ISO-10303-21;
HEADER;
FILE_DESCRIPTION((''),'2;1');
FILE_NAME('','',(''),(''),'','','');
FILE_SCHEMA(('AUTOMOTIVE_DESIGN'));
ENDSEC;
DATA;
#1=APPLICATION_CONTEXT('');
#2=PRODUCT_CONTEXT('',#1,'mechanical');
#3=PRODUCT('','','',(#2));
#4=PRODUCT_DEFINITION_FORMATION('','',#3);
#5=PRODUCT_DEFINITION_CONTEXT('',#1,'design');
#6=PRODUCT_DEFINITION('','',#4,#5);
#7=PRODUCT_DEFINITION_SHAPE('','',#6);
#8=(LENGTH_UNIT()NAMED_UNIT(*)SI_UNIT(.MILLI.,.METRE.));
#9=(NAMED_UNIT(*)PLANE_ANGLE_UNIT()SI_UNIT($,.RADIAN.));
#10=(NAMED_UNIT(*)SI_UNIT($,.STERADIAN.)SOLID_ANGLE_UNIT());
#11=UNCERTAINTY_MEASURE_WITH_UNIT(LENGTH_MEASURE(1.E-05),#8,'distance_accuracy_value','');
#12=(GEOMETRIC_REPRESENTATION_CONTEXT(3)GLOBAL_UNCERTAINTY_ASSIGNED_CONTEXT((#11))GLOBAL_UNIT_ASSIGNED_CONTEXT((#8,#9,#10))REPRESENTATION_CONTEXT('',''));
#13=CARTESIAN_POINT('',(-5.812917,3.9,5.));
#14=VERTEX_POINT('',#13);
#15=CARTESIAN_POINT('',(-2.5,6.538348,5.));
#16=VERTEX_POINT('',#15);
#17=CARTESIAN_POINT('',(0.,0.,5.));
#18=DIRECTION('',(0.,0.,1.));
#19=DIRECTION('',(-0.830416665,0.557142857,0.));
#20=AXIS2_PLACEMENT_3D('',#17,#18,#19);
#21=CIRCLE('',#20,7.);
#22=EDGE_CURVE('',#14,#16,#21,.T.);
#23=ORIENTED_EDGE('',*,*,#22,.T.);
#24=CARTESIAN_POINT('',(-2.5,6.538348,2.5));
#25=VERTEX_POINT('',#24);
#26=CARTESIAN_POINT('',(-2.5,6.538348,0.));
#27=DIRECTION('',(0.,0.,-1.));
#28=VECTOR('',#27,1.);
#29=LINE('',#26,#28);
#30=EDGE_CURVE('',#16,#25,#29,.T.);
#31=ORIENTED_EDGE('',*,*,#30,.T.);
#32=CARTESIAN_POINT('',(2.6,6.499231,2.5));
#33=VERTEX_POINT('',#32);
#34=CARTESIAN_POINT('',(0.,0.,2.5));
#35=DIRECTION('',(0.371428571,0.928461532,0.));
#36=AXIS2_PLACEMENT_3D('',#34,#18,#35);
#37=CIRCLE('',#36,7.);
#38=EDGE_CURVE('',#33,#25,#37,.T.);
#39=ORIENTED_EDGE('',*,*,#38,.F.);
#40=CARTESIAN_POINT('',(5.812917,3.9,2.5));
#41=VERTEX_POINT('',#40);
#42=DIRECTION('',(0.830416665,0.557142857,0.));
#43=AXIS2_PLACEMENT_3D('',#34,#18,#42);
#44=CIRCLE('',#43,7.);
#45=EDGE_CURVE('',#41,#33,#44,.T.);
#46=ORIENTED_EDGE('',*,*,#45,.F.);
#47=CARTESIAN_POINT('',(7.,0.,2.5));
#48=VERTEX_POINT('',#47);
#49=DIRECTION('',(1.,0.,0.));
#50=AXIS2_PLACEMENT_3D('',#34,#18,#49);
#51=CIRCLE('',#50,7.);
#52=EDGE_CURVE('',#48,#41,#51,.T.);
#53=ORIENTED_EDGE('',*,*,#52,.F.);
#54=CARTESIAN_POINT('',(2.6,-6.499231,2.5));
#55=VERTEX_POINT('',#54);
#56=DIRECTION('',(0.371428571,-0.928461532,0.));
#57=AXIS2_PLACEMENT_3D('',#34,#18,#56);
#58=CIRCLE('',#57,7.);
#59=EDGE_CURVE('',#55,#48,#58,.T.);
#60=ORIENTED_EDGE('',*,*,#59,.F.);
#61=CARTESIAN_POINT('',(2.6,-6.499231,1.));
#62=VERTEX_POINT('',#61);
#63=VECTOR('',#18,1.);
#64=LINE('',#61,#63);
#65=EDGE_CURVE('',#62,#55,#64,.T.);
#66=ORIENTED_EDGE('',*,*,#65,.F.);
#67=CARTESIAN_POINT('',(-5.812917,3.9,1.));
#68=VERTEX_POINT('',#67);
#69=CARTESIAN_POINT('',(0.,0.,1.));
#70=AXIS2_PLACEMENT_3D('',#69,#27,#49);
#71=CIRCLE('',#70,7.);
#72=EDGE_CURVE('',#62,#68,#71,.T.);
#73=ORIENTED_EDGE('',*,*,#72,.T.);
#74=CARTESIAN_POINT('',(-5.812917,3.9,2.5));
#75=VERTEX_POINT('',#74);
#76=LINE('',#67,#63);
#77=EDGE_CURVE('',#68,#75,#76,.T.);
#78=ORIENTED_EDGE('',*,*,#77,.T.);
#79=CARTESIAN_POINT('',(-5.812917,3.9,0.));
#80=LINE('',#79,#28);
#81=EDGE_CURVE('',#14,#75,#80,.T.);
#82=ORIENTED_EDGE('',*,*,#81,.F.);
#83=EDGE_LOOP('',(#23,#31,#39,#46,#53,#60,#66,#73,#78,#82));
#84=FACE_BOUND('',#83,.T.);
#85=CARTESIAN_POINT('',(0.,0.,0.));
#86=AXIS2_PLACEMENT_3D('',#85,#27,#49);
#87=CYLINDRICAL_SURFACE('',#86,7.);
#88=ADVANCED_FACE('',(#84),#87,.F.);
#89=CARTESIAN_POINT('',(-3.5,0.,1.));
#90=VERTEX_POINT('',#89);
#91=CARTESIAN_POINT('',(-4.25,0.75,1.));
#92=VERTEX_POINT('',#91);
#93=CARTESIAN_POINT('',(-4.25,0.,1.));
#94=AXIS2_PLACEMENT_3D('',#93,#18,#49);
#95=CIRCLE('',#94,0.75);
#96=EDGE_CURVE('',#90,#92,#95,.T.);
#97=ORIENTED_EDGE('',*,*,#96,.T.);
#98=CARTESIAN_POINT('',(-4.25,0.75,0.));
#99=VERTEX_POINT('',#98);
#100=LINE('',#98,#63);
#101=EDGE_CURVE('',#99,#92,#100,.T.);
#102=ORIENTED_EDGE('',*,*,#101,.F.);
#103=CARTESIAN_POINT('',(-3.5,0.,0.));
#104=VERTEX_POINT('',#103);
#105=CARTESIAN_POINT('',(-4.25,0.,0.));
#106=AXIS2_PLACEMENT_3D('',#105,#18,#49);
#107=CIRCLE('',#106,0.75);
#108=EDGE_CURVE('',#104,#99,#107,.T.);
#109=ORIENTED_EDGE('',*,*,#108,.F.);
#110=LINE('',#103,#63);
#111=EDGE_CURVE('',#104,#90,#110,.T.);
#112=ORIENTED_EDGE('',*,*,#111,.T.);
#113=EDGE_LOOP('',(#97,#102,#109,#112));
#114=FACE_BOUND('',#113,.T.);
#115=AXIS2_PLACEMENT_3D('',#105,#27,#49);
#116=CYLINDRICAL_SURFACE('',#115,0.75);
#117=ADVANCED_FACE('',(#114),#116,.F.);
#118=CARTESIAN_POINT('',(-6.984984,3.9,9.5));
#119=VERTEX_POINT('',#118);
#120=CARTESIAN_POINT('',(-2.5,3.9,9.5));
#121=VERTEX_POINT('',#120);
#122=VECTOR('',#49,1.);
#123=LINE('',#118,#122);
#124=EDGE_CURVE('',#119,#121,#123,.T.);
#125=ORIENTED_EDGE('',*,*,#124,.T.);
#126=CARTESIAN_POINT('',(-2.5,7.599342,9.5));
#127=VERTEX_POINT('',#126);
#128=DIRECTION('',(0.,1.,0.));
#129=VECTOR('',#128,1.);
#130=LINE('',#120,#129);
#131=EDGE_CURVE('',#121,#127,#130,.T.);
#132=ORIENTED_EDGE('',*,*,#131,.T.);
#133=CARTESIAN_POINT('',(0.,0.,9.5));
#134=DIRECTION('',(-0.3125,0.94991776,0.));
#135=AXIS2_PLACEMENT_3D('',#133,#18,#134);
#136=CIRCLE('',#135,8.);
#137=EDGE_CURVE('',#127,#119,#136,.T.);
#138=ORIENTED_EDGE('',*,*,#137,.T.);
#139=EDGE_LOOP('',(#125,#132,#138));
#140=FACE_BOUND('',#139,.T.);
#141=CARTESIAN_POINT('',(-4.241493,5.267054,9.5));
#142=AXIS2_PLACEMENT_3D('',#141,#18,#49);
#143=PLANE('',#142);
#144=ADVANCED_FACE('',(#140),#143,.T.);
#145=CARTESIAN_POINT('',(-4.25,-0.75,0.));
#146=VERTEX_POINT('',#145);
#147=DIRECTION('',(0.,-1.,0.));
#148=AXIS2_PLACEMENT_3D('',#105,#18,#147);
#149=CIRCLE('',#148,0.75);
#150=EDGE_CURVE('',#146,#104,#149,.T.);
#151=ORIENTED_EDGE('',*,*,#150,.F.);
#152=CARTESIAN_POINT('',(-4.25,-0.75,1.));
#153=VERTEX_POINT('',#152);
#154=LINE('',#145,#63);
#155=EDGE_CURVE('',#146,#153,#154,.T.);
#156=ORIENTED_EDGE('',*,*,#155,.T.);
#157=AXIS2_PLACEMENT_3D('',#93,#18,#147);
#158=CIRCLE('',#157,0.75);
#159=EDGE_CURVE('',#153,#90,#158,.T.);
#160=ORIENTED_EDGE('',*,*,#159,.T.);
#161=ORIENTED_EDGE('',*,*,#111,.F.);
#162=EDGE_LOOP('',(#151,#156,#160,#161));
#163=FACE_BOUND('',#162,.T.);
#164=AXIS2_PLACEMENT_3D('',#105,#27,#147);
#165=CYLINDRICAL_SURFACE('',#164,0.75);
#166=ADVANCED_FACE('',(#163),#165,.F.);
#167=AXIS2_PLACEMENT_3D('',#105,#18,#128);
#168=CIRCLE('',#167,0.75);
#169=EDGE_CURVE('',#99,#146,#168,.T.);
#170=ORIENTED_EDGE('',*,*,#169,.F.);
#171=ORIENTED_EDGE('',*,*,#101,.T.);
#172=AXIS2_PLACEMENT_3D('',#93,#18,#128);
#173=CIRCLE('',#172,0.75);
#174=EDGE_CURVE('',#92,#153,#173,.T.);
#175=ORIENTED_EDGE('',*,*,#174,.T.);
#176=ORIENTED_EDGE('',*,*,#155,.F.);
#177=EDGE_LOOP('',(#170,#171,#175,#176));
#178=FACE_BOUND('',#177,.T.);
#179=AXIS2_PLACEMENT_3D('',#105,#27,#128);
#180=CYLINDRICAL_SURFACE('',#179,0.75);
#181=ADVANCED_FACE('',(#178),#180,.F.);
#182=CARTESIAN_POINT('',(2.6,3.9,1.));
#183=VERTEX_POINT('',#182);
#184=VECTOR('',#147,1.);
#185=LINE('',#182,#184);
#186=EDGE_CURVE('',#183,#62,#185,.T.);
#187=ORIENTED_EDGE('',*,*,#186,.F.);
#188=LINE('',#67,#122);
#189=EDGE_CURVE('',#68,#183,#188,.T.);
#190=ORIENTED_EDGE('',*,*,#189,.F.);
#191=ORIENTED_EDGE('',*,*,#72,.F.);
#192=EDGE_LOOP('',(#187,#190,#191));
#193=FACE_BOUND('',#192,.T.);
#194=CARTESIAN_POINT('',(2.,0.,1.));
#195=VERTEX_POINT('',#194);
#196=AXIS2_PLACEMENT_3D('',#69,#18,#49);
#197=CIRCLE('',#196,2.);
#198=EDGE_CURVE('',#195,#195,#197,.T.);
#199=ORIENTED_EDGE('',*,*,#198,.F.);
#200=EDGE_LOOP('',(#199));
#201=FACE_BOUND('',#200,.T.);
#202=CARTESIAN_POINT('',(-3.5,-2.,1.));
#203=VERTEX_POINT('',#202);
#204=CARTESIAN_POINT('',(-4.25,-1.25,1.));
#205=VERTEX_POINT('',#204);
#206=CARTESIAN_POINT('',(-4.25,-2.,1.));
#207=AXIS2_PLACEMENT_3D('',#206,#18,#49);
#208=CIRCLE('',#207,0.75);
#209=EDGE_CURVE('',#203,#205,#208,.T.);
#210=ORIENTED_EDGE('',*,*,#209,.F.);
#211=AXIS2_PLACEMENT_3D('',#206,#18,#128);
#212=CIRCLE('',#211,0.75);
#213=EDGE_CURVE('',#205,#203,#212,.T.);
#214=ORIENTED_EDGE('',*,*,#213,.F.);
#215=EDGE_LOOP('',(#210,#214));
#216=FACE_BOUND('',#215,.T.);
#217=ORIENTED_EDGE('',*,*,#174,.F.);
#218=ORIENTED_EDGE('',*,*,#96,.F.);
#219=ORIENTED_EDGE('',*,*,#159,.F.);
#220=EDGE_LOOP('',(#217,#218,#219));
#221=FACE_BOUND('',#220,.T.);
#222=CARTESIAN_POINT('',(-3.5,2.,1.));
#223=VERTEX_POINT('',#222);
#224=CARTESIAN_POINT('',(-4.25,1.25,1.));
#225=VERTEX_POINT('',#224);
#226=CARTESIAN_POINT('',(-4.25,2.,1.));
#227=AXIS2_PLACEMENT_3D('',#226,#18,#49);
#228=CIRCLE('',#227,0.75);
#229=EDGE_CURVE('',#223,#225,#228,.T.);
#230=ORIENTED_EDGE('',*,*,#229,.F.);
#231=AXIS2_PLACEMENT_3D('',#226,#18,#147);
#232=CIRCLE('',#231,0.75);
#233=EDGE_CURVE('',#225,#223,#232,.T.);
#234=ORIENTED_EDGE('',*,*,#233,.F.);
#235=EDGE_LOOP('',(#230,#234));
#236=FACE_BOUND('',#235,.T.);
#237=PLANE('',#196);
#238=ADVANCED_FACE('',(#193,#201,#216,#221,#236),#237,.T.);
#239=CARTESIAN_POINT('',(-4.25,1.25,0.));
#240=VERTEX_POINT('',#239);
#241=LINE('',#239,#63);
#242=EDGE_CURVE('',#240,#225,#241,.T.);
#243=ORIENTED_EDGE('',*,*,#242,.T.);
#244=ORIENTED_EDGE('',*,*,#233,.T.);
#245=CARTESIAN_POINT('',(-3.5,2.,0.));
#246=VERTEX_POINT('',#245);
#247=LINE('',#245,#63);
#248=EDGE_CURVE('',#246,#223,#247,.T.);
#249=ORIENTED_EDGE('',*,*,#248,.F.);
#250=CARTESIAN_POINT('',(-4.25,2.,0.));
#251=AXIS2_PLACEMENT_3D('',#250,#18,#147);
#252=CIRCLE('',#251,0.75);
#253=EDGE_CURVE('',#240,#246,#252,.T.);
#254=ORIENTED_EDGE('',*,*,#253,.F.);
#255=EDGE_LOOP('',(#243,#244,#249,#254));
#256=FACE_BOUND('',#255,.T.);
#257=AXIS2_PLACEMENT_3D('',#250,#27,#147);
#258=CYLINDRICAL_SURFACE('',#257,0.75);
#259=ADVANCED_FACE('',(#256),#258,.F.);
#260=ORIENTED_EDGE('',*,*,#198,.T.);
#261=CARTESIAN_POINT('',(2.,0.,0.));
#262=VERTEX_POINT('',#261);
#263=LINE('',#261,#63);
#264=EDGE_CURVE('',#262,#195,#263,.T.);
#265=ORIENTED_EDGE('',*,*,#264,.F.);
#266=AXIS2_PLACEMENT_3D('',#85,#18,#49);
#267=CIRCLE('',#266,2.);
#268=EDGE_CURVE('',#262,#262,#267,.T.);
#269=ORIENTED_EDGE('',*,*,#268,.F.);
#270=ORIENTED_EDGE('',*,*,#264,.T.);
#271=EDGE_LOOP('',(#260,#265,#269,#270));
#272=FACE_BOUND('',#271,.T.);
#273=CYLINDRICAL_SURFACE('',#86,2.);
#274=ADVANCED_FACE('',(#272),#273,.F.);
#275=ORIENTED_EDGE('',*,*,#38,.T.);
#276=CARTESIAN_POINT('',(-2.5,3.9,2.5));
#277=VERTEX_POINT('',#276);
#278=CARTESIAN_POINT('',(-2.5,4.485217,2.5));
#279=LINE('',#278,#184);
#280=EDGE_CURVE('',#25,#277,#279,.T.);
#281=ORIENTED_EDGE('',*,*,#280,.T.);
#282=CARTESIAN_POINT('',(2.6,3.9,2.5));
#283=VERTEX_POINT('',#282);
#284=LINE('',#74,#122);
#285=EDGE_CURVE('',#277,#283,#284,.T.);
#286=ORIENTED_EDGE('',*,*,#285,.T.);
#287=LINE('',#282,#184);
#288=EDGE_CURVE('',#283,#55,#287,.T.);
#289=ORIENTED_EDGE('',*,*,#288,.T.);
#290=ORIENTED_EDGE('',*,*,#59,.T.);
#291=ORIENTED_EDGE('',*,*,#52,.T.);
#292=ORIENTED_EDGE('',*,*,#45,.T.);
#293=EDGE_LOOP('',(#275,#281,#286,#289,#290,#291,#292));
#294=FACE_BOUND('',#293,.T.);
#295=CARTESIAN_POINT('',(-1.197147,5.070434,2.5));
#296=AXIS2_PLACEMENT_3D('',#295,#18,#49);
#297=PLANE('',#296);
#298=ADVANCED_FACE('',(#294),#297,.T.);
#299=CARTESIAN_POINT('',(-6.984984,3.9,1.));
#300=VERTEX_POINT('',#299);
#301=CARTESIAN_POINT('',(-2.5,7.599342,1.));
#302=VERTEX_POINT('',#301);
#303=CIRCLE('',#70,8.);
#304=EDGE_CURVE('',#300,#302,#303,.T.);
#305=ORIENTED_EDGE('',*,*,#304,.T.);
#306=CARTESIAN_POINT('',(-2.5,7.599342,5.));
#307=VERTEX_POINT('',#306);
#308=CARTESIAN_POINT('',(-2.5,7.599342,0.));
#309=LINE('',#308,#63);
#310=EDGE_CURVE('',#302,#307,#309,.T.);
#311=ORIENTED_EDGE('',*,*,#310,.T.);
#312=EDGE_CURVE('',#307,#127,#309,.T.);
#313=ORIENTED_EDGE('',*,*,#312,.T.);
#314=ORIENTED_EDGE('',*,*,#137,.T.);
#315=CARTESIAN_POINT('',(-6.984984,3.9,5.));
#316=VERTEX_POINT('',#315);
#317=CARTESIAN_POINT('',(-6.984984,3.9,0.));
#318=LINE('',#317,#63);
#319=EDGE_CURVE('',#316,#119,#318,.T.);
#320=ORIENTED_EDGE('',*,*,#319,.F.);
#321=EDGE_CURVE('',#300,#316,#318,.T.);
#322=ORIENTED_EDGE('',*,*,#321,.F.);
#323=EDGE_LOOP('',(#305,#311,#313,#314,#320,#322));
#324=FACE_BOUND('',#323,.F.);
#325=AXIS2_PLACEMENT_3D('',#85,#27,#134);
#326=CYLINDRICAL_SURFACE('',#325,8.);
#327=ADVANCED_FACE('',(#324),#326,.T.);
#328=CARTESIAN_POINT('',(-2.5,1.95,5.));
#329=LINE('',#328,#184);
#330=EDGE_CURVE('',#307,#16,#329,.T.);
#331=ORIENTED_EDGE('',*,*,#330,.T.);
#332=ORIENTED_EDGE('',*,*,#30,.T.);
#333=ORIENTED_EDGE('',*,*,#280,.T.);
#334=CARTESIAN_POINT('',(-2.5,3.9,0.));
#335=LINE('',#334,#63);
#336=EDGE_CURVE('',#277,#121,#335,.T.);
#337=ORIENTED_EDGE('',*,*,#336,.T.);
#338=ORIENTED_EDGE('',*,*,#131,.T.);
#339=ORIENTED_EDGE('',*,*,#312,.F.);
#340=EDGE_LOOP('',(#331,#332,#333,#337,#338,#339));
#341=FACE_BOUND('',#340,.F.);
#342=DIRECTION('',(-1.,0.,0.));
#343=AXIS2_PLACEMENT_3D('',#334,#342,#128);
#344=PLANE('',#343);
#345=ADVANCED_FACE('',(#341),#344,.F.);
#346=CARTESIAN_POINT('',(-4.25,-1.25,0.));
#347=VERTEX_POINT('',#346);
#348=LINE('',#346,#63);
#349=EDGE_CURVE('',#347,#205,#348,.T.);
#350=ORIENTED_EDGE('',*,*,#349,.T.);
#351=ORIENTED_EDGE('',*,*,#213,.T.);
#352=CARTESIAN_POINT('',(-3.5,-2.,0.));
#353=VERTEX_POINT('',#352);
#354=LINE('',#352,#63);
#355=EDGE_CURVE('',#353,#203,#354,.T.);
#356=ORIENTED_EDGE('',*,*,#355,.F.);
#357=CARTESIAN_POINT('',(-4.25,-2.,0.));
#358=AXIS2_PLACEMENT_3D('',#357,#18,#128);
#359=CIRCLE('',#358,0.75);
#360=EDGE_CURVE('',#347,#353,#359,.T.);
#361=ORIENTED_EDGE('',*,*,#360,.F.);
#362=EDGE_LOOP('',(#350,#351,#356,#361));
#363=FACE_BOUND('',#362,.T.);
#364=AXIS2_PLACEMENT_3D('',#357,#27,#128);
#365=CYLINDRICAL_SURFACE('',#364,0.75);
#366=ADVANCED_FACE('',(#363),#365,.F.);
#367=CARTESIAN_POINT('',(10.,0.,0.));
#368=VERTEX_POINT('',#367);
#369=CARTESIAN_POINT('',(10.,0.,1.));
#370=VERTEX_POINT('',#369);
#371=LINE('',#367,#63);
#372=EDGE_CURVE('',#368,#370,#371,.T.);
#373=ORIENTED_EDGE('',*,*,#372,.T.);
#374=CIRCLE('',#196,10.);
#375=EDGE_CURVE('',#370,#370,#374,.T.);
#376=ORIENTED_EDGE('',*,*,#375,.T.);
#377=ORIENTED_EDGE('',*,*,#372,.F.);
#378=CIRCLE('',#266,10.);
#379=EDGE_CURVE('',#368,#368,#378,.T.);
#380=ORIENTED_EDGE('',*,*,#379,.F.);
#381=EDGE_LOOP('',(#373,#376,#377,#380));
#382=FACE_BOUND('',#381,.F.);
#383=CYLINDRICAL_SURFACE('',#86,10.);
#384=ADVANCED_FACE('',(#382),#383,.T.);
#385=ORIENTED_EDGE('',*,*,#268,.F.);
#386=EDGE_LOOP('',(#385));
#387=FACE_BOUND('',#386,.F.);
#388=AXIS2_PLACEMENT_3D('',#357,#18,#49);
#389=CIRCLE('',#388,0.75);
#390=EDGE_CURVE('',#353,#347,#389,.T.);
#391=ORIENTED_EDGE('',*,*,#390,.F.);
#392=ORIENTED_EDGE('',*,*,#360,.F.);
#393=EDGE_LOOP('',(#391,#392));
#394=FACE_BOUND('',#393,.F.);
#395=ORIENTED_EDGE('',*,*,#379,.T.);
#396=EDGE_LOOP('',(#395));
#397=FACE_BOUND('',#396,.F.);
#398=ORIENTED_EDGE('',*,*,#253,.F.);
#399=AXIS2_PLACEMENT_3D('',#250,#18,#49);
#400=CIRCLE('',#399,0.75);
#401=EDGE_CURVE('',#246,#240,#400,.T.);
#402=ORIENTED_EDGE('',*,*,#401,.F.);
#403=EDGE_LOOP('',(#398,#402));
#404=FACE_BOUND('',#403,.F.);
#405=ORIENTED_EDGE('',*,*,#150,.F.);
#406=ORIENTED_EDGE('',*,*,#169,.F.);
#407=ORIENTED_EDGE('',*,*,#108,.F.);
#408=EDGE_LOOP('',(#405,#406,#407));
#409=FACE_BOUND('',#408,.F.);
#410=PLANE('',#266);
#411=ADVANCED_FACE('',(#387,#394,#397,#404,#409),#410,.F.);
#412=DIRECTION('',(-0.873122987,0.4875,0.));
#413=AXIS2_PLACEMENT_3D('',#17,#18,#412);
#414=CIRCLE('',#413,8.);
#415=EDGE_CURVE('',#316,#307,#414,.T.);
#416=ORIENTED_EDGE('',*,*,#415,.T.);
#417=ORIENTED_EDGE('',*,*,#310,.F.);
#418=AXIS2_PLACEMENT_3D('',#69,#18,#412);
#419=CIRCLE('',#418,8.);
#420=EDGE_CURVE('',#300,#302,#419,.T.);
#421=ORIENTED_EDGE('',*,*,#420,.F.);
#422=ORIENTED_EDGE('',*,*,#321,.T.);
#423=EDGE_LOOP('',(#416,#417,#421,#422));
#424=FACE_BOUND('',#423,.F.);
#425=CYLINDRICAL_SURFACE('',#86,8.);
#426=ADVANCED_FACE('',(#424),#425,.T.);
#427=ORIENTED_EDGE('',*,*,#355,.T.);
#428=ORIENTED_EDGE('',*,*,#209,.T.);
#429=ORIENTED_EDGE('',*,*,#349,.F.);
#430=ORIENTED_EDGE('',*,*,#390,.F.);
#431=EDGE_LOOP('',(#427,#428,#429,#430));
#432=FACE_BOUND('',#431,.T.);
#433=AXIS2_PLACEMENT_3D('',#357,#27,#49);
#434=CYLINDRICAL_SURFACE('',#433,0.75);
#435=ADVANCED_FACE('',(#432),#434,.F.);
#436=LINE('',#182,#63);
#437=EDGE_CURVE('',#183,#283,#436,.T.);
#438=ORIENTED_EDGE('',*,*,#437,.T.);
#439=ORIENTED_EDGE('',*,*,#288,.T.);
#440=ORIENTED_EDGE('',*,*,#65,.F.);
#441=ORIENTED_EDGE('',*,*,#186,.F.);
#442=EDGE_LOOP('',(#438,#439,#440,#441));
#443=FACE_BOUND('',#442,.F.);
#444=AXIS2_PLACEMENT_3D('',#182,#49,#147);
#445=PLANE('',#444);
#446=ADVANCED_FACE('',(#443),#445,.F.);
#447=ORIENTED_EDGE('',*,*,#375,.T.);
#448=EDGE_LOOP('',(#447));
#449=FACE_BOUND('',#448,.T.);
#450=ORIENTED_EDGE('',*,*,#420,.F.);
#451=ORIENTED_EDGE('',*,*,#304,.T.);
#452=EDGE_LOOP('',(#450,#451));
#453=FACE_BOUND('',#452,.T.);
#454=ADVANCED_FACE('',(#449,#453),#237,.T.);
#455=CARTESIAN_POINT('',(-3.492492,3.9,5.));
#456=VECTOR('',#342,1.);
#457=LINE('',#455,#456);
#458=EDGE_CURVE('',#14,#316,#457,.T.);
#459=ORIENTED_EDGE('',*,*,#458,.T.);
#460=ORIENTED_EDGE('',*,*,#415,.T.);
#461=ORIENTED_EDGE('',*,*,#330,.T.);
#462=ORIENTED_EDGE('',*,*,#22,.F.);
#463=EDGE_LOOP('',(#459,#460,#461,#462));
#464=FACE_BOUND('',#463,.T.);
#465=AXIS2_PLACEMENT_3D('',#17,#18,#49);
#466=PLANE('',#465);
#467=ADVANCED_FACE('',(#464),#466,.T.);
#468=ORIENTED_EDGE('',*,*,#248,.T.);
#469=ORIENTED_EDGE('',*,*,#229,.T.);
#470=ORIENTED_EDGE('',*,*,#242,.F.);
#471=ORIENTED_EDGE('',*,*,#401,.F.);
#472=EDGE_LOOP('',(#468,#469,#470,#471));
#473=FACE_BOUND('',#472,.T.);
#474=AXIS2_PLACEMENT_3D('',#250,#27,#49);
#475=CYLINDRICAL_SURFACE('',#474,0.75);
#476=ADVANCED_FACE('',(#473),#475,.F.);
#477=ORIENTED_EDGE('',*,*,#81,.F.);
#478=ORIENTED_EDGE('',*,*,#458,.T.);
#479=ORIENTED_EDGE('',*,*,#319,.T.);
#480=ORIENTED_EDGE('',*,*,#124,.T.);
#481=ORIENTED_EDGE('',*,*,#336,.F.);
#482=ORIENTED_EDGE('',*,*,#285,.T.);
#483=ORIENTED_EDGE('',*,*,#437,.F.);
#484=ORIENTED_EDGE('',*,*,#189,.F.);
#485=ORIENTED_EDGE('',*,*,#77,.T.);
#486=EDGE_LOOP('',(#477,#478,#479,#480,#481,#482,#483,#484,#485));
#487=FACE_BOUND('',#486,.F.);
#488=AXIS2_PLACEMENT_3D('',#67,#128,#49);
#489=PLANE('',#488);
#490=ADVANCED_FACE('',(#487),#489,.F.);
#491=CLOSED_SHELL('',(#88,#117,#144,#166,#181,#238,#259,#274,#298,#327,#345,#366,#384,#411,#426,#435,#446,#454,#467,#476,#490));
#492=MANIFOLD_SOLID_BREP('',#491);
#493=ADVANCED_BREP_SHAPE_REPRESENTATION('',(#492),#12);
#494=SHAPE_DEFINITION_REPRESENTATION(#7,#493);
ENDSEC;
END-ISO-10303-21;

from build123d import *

# Parameters (mm, degrees)
F0_R     = 10
F0_R_2   = 8
F0_R_3   = 7
F0_R_4   = 2
F1_DEPTH = 1
F2_DEPTH = 5
F4_DEPTH = 1.5
F6_DEPTH = 1
F8_DEPTH = 9.5


with BuildPart() as f1:
    # F0 (on Top) → F1 (new body)
    with BuildSketch(Plane.XY):
        Circle(F0_R)
        Circle(F0_R_2, mode=Mode.SUBTRACT)
        Circle(F0_R_2)
        Circle(F0_R_3, mode=Mode.SUBTRACT)
        Circle(F0_R_3)
        Circle(F0_R_4, mode=Mode.SUBTRACT)
    extrude(amount=F1_DEPTH)

    # F0 (on Top) → F2 (join)
    with BuildSketch(Plane.XY):
        Circle(F0_R_2)
        Circle(F0_R_3, mode=Mode.SUBTRACT)
    extrude(amount=F2_DEPTH)

    # F3 (on face) → F4 (join)
    with BuildSketch(Plane.XY.offset(1)):
        with BuildLine():
            ThreePointArc((2.6, 6.4992307237), (-2.0663272833, 6.6880708398), (-5.8129166517, 3.9))
            Line((-5.8129166517, 3.9), (2.6, 3.9))
            Line((2.6, 3.9), (2.6, 6.4992307237))
        make_face()
        with BuildLine():
            Line((2.6, 6.4992307237), (2.6, 3.9))
            Line((2.6, 3.9), (5.8129166517, 3.9))
            ThreePointArc((5.8129166517, 3.9), (4.4026459926, 5.4421235069), (2.6, 6.4992307237))
        make_face()
        with BuildLine():
            Line((5.8129166517, 3.9), (2.6, 3.9))
            Line((2.6, 3.9), (2.6, -6.4992307237))
            ThreePointArc((2.6, -6.4992307237), (5.7965506985, -3.9242833741), (7, 0))
            ThreePointArc((7, 0), (6.6966565002, 2.0383306206), (5.8129166517, 3.9))
        make_face()
    extrude(amount=F4_DEPTH)

    # F5 (on Top) → F6 (cut, through all)
    with BuildSketch(Plane.XY):
        with BuildLine():
            ThreePointArc((-3.5, 2), (-4.7803300859, 2.5303300859), (-4.25, 1.25))
            ThreePointArc((-4.25, 1.25), (-3.7196699141, 1.4696699141), (-3.5, 2))
        make_face()
        with BuildLine():
            Line((-4.25, 0), (-3.5, 0))
            ThreePointArc((-3.5, 0), (-3.7196699141, 0.5303300859), (-4.25, 0.75))
            Line((-4.25, 0.75), (-4.25, 0))
        make_face()
        with BuildLine():
            Line((-4.25, -0.75), (-4.25, 0))
            Line((-4.25, 0), (-4.25, 0.75))
            ThreePointArc((-4.25, 0.75), (-5, 0), (-4.25, -0.75))
        make_face()
        with BuildLine():
            ThreePointArc((-4.25, -0.75), (-3.7196699141, -0.5303300859), (-3.5, 0))
            Line((-3.5, 0), (-4.25, 0))
            Line((-4.25, 0), (-4.25, -0.75))
        make_face()
        with BuildLine():
            ThreePointArc((-3.5, -2), (-3.7196699141, -1.4696699141), (-4.25, -1.25))
            ThreePointArc((-4.25, -1.25), (-4.7803300859, -2.5303300859), (-3.5, -2))
        make_face()
    extrude(amount=F6_DEPTH, mode=Mode.SUBTRACT)

    # F7 (on Top) → F8 (join)
    with BuildSketch(Plane.XY):
        with BuildLine():
            Line((-2.5, 3.9), (-2.5, 7.5993420768))
            ThreePointArc((-2.5, 7.5993420768), (-5.0904334607, 6.1715060708), (-6.984983894, 3.9))
            Line((-6.984983894, 3.9), (-2.5, 3.9))
        make_face()
    extrude(amount=F8_DEPTH)


solid = f1.part
